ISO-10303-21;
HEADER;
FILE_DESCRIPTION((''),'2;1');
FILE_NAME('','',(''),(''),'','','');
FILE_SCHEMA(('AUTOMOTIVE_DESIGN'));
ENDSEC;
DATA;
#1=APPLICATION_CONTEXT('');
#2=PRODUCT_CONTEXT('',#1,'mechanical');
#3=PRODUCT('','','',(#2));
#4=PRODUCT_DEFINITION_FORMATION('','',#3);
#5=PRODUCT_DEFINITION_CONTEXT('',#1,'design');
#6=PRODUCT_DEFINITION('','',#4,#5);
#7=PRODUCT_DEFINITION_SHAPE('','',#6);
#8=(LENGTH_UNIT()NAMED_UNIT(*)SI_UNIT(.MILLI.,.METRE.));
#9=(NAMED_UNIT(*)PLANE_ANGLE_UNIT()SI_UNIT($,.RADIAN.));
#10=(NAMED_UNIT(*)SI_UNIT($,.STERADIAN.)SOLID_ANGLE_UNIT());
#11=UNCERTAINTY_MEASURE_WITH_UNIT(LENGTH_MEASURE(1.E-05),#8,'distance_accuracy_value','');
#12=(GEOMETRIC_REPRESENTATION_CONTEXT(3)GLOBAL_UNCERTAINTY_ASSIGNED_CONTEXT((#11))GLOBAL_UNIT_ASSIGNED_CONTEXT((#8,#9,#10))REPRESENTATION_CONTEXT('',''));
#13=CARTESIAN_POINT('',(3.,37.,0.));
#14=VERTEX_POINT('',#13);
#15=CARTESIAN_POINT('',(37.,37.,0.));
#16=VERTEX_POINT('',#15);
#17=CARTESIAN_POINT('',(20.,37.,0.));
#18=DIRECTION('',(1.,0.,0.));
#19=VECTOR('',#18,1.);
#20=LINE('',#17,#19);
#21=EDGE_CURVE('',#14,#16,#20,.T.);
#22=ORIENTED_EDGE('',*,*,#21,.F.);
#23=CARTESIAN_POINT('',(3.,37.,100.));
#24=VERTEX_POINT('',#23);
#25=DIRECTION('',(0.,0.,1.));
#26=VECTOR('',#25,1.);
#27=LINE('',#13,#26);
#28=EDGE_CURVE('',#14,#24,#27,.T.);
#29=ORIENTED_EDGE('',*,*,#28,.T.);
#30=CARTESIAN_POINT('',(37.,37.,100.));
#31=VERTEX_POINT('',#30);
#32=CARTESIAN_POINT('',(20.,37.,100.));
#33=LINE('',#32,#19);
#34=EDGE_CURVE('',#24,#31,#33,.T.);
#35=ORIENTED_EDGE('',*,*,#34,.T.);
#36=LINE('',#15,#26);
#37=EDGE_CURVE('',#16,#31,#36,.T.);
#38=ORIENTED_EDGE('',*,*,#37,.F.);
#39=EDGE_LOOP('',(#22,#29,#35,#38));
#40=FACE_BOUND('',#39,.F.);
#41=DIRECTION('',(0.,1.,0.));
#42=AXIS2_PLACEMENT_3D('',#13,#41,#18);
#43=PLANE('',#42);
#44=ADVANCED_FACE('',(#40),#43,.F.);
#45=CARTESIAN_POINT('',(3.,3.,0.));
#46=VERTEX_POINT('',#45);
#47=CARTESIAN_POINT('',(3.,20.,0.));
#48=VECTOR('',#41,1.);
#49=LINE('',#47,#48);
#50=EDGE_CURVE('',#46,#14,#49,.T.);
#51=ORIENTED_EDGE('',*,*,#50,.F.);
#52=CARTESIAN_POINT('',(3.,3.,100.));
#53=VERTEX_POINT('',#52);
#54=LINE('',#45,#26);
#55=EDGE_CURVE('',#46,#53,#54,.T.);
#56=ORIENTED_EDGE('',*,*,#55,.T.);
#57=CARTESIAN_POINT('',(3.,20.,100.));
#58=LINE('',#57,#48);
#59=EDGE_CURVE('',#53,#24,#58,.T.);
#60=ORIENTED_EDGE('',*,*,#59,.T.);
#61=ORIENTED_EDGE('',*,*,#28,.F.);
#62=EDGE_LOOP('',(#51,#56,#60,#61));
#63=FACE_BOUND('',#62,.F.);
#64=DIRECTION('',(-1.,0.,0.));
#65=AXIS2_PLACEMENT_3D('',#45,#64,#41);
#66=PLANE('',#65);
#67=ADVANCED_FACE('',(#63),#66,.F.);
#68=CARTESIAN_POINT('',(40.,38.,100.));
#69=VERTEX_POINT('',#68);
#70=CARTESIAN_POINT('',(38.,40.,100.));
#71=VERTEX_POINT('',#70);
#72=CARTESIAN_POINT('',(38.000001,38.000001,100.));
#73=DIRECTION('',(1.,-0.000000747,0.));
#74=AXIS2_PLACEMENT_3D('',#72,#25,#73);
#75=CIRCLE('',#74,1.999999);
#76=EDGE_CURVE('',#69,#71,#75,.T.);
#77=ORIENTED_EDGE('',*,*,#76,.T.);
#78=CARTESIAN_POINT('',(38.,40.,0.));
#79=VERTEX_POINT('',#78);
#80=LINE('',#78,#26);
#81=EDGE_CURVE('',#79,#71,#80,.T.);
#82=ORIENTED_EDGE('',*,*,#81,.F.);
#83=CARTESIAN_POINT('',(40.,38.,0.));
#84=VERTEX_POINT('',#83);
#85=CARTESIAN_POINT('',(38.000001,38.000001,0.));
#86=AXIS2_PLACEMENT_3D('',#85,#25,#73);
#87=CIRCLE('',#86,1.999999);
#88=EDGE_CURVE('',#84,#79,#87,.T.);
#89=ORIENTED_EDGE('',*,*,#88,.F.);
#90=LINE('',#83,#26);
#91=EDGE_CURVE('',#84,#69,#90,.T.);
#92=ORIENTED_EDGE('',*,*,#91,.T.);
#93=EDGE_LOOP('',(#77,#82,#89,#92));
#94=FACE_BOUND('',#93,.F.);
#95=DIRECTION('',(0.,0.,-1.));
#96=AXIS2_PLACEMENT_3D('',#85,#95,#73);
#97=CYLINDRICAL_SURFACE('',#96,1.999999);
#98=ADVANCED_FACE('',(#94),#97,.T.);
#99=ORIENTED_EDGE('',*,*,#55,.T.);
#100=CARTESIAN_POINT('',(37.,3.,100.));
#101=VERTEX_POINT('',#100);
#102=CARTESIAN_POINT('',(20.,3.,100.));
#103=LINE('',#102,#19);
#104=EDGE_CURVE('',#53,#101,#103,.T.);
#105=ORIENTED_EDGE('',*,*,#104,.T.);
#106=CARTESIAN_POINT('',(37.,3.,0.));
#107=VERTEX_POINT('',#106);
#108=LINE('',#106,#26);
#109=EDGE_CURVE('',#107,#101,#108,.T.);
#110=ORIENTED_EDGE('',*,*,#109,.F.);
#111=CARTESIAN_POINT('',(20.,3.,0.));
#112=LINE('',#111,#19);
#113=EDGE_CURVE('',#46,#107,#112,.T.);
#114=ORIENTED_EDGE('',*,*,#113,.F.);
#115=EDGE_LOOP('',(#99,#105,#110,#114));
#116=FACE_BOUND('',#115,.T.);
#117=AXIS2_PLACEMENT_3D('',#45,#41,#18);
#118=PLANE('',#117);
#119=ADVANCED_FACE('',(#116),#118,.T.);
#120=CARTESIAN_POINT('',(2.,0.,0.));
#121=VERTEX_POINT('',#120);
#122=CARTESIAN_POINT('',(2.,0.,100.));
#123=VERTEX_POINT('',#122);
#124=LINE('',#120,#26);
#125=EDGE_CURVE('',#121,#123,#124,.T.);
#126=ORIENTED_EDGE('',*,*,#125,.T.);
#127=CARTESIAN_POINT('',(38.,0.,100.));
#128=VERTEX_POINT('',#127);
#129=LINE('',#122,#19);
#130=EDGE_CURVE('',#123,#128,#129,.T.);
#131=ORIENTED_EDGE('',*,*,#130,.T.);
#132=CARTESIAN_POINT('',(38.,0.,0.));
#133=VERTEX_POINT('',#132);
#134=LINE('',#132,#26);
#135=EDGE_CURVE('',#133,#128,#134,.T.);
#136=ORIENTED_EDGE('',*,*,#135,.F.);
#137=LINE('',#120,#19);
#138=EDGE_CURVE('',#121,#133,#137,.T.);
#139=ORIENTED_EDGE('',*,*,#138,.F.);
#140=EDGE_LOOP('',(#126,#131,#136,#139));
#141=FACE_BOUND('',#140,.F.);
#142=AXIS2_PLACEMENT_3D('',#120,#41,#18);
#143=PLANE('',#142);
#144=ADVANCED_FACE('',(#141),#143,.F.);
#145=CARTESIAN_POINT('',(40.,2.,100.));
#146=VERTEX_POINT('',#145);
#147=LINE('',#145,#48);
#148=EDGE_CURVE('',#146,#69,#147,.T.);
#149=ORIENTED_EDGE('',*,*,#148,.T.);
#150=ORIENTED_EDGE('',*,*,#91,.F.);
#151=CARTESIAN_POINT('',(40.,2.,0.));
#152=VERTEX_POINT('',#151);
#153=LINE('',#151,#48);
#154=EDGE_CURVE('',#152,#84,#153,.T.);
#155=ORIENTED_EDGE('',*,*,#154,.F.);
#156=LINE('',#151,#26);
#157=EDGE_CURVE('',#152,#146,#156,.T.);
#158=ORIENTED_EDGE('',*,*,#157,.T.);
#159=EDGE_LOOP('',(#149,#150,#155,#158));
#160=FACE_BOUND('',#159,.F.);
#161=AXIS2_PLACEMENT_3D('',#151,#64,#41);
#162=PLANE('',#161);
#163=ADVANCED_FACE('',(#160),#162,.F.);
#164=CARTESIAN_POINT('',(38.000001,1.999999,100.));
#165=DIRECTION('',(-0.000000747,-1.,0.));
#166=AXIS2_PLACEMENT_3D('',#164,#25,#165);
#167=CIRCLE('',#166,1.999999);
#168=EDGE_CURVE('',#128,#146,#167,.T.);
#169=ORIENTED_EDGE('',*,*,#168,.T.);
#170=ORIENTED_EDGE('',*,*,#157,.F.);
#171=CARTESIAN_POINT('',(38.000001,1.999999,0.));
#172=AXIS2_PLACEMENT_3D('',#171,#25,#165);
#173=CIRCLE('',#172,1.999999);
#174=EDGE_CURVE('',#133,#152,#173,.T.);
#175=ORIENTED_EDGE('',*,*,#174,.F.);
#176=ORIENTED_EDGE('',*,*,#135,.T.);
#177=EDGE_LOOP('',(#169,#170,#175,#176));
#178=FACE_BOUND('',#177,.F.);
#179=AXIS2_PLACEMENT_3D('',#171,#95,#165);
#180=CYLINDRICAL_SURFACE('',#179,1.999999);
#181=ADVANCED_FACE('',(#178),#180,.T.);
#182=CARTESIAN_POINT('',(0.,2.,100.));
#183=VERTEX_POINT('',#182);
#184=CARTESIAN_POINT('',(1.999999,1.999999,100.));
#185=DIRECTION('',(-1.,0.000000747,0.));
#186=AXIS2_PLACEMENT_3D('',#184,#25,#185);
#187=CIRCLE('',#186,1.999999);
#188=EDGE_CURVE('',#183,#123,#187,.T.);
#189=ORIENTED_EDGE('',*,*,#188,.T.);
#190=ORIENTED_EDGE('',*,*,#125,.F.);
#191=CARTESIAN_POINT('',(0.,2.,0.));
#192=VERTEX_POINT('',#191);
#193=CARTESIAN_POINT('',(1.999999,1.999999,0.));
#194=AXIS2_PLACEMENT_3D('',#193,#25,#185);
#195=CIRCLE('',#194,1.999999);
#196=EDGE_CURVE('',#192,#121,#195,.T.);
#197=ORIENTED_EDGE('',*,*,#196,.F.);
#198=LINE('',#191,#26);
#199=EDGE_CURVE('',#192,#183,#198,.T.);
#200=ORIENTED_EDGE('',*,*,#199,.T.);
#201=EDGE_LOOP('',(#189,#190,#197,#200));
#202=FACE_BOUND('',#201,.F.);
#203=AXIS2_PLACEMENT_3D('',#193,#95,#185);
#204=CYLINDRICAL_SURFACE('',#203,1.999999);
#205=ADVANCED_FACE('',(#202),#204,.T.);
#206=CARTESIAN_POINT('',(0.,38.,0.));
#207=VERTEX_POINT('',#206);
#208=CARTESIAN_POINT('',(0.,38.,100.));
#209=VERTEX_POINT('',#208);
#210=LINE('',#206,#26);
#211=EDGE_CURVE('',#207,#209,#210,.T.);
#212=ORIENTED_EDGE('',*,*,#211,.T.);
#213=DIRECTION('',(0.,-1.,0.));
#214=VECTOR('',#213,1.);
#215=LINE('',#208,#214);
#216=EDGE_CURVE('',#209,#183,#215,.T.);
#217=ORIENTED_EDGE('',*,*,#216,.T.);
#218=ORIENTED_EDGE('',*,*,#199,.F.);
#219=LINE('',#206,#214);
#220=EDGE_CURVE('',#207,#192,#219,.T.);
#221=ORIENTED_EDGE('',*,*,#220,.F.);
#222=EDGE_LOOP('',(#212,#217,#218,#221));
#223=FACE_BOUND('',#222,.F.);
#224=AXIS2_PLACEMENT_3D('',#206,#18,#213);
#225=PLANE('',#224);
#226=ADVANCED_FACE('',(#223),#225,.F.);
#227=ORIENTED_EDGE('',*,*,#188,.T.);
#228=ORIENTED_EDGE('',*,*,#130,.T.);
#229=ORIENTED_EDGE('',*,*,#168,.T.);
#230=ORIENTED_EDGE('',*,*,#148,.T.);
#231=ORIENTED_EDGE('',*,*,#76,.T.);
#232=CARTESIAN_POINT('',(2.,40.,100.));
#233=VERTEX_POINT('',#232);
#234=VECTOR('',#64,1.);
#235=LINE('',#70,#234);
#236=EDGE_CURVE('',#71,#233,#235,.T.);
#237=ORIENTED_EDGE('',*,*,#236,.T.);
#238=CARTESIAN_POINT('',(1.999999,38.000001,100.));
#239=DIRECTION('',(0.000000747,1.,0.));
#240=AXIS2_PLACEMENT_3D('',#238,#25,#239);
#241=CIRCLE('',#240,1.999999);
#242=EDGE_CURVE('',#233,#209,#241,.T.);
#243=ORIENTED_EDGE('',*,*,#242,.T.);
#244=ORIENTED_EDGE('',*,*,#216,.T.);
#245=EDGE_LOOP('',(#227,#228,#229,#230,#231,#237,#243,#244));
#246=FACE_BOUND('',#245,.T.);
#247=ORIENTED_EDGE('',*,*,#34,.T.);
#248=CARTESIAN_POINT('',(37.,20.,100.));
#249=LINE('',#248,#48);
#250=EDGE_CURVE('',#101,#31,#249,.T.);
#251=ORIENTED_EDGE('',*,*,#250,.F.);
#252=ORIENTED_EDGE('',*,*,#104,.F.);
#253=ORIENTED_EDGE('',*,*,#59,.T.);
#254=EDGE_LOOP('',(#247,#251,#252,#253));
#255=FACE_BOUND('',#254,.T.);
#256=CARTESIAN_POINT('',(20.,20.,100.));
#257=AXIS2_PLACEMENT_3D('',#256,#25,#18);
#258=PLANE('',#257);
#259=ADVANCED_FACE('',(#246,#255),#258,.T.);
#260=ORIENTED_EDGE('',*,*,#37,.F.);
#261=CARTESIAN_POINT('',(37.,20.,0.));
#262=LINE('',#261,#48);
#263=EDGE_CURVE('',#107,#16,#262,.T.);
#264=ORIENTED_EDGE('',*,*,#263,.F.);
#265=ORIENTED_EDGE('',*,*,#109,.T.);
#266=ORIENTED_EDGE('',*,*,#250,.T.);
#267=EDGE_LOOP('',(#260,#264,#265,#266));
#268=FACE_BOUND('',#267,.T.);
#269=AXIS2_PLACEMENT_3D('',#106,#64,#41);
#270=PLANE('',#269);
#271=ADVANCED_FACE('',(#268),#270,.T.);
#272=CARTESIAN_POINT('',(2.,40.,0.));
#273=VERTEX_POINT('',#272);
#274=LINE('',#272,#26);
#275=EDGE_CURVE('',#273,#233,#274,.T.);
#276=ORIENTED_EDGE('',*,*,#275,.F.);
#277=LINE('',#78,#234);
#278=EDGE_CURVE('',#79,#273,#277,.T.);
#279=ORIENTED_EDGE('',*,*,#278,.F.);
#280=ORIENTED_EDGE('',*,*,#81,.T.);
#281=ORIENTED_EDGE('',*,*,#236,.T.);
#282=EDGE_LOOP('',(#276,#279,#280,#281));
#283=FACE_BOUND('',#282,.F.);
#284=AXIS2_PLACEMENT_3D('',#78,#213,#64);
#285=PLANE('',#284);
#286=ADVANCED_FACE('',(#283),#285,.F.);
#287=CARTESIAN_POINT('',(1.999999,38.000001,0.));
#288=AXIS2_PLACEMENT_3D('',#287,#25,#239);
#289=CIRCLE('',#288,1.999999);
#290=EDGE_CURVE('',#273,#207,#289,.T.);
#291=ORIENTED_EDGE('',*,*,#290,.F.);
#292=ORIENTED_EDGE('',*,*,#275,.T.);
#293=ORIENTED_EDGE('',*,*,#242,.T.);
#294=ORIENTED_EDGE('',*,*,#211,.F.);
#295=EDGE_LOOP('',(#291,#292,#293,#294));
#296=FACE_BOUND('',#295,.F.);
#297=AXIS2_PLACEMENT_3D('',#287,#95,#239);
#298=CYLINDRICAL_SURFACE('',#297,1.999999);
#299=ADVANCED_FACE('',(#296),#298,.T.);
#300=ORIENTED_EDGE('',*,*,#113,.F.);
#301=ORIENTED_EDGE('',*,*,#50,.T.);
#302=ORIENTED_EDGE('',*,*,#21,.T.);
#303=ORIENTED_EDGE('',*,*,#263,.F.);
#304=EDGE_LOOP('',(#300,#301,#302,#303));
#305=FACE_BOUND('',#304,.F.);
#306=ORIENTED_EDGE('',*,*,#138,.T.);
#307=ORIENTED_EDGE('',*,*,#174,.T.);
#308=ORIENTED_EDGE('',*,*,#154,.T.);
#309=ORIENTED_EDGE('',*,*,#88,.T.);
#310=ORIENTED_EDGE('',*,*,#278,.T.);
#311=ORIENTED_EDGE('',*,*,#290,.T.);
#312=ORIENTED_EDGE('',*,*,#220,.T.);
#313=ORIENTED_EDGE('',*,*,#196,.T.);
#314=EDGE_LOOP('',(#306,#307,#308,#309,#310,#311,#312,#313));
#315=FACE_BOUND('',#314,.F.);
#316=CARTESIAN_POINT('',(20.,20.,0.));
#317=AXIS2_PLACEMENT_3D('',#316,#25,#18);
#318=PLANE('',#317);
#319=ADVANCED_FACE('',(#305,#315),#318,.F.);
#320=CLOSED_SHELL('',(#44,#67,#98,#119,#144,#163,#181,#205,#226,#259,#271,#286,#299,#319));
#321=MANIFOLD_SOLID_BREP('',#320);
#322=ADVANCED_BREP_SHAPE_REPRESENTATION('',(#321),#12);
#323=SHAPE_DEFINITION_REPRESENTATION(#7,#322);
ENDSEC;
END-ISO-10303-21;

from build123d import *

# Parameters (mm, degrees)
SKETCH_W  = 34
SKETCH_H  = 34
PAD_DEPTH = 100


with BuildPart() as part:
    # Sketch → Pad (new body)
    with BuildSketch(Plane.XY):
        with BuildLine():
            Line((2, 0), (38, 0))
            ThreePointArc((38, 0), (39.414214, 0.585786), (40, 2))
            Line((40, 2), (40, 38))
            ThreePointArc((40, 38), (39.414214, 39.414214), (38, 40))
            Line((38, 40), (2, 40))
            ThreePointArc((2, 40), (0.585786, 39.414214), (0, 38))
            Line((0, 38), (0, 2))
            ThreePointArc((0, 2), (0.585786, 0.585786), (2, 0))
        make_face()
        with Locations((20, 20)):
            Rectangle(SKETCH_W, SKETCH_H, mode=Mode.SUBTRACT)
    extrude(amount=PAD_DEPTH)


solid = part.part
